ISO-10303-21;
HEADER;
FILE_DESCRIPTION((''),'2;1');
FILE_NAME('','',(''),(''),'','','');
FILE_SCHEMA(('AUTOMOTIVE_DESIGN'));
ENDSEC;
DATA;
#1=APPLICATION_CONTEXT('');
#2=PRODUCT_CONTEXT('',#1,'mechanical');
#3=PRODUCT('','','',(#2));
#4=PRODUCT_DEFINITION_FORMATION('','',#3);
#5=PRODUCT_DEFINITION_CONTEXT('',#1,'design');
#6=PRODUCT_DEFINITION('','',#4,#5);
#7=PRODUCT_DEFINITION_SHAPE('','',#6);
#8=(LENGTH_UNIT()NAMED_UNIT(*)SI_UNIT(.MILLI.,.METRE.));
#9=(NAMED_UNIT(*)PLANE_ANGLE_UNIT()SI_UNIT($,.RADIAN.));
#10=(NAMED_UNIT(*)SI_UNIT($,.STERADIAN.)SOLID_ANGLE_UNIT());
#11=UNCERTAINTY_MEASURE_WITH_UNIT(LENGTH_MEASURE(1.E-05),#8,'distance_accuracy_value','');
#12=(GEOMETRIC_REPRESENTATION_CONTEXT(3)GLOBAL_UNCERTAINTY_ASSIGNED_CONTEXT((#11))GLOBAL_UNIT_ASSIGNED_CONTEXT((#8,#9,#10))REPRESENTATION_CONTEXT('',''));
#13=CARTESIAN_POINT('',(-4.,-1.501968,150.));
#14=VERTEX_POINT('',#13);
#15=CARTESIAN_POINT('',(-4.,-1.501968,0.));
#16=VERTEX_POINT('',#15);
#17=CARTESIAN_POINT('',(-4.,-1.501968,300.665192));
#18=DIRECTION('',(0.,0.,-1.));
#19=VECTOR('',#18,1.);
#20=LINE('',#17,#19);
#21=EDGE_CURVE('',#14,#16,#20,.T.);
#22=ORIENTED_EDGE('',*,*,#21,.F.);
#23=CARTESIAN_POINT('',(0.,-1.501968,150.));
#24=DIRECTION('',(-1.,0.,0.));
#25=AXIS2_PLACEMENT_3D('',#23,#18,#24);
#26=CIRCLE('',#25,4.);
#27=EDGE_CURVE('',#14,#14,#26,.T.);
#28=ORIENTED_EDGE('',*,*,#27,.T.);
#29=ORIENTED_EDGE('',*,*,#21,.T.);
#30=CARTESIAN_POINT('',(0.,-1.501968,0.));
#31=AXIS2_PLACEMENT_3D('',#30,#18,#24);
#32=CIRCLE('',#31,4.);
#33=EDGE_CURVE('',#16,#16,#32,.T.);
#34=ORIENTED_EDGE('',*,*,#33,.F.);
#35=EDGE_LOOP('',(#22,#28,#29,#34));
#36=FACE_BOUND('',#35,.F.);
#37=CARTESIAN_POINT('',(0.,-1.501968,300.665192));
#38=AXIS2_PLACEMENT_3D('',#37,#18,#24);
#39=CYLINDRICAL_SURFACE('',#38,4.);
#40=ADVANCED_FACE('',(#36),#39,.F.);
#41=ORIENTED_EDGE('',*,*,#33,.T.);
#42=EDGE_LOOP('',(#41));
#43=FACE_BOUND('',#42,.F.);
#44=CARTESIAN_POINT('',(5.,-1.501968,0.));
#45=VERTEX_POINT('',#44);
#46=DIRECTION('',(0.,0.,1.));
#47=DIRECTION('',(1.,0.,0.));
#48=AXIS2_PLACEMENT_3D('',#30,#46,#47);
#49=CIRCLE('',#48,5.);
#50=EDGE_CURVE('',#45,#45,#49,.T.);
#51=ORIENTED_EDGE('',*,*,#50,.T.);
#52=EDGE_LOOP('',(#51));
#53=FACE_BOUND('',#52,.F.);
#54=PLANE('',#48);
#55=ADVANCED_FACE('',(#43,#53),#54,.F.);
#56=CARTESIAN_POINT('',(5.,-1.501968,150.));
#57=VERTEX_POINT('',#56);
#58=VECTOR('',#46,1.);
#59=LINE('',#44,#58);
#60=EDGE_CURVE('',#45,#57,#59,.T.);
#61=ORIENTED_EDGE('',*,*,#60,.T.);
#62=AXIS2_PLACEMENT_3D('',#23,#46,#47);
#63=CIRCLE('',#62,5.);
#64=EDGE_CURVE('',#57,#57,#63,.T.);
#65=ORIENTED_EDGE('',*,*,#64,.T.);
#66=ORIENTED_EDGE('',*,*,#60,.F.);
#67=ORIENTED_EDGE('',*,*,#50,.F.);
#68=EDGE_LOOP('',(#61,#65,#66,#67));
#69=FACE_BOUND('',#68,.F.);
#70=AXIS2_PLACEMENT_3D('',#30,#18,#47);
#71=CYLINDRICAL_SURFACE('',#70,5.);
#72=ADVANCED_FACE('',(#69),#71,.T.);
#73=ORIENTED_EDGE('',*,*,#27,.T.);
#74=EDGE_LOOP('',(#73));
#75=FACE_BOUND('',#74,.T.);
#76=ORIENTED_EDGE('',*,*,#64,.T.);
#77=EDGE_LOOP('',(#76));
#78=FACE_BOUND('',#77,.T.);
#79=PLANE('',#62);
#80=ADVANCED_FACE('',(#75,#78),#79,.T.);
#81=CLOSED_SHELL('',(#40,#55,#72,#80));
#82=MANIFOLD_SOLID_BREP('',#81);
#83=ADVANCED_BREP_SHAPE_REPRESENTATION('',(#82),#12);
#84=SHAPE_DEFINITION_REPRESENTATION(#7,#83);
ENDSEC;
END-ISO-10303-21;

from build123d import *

# Parameters (mm, degrees)
F0_R     = 5
F1_DEPTH = 150
F3_D     = 8


with BuildPart() as f1:
    # F0 (on Top) → F1 (new body)
    with BuildSketch(Plane.XY):
        with Locations((0, -1.501968)):
            Circle(F0_R)
    extrude(amount=F1_DEPTH)

    # F3 (through all)
    with Locations(Plane.XY.offset(150)):
        with Locations((0, -1.501968)):
            Hole(F3_D / 2)


solid = f1.part
